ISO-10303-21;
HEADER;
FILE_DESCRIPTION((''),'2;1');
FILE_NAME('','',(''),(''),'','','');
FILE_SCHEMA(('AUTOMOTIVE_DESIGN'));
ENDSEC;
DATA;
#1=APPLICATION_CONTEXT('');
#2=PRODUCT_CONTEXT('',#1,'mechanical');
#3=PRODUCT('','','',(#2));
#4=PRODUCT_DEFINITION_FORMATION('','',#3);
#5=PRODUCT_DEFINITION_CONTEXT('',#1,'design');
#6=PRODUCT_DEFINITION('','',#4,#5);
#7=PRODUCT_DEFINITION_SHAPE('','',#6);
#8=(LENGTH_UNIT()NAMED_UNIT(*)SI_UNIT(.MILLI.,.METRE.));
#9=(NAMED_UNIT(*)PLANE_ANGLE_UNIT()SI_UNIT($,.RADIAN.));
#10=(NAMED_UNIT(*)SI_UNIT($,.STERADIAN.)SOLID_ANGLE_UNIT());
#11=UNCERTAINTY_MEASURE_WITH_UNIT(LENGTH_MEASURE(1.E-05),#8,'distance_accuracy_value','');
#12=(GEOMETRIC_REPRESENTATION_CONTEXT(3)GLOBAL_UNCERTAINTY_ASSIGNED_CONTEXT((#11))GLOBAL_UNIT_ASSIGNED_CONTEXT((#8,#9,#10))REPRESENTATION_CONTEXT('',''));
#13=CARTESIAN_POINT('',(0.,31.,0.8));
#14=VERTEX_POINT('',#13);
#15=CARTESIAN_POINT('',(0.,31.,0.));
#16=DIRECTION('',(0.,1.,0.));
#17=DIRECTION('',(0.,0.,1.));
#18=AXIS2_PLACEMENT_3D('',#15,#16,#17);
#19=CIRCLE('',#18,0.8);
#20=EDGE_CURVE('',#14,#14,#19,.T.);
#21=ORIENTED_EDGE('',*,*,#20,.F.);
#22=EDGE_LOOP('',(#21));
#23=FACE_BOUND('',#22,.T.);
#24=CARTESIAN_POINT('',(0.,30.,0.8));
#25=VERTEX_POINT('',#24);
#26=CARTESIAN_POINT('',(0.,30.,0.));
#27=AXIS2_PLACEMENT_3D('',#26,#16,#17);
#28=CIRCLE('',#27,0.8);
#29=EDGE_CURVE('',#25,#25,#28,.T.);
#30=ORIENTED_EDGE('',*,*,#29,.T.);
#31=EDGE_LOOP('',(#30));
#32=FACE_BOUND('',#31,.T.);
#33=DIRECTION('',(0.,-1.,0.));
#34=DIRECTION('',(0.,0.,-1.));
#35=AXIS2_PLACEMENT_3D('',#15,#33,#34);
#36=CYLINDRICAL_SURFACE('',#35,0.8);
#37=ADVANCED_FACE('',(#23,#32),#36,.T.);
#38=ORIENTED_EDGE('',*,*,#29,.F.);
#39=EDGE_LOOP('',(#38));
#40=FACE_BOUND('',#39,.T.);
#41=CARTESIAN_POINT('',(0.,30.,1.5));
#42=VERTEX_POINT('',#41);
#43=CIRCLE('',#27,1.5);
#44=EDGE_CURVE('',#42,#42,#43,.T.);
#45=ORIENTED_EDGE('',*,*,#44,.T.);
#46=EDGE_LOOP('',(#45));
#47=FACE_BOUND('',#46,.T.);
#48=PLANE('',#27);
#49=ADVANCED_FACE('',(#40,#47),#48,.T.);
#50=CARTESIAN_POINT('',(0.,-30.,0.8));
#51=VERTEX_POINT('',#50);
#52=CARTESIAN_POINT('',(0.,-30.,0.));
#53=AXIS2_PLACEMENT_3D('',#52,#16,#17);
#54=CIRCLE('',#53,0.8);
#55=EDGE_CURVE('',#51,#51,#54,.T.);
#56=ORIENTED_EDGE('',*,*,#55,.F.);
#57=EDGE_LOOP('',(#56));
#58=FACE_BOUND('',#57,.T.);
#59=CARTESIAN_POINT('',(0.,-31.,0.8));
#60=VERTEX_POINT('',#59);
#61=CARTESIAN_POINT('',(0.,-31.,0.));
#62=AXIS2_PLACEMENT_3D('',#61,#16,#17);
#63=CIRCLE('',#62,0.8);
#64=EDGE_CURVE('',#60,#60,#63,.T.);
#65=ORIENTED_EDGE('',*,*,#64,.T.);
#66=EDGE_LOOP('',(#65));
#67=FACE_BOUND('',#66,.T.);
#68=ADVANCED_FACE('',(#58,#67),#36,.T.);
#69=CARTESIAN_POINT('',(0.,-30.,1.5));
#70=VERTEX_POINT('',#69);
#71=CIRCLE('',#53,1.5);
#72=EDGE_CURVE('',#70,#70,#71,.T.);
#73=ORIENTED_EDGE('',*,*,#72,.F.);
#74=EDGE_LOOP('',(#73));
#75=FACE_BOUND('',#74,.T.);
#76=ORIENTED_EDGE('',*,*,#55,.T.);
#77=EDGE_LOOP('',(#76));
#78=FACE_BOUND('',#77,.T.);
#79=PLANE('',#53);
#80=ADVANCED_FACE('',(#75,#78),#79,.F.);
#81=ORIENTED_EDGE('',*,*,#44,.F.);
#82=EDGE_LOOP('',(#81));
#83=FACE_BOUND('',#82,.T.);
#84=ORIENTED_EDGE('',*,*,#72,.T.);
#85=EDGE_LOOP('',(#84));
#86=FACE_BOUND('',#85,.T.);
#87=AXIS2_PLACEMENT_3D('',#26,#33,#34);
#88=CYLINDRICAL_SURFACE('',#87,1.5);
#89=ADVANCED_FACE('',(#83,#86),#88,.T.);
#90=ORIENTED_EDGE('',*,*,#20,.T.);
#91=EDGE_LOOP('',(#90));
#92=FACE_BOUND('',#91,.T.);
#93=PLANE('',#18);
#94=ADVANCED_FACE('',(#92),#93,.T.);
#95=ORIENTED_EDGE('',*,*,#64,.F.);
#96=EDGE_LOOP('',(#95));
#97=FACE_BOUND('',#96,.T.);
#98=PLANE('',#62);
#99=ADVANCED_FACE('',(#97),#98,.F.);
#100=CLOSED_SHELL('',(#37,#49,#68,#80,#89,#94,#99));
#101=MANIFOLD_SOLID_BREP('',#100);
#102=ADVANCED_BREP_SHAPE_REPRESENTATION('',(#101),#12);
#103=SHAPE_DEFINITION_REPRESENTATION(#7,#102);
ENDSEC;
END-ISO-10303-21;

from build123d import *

# Parameters (mm, degrees)
SKETCH_1_R      = 0.8
EXTRUDE_1_DEPTH = 31
SKETCH_2_R      = 1.5
EXTRUDE_2_DEPTH = 30


with BuildPart() as part:
    # 草图1 → 凸台-拉伸1 (new, symmetric)
    with BuildSketch(Plane(origin=(0, 0, 0), x_dir=(1, 0, 0), z_dir=(0, 1, 0))):
        with Locations(Location((0, 0, 0), (0, 0, 270))):
            Circle(SKETCH_1_R)
    extrude(amount=EXTRUDE_1_DEPTH, both=True)

    # 草图2 → 凸台-拉伸2 (add, symmetric)
    with BuildSketch(Plane(origin=(0, 0, 0), x_dir=(1, 0, 0), z_dir=(0, 1, 0))):
        with Locations(Location((0, 0, 0), (0, 0, 270))):
            Circle(SKETCH_2_R)
    extrude(amount=EXTRUDE_2_DEPTH, both=True)


solid = part.part
